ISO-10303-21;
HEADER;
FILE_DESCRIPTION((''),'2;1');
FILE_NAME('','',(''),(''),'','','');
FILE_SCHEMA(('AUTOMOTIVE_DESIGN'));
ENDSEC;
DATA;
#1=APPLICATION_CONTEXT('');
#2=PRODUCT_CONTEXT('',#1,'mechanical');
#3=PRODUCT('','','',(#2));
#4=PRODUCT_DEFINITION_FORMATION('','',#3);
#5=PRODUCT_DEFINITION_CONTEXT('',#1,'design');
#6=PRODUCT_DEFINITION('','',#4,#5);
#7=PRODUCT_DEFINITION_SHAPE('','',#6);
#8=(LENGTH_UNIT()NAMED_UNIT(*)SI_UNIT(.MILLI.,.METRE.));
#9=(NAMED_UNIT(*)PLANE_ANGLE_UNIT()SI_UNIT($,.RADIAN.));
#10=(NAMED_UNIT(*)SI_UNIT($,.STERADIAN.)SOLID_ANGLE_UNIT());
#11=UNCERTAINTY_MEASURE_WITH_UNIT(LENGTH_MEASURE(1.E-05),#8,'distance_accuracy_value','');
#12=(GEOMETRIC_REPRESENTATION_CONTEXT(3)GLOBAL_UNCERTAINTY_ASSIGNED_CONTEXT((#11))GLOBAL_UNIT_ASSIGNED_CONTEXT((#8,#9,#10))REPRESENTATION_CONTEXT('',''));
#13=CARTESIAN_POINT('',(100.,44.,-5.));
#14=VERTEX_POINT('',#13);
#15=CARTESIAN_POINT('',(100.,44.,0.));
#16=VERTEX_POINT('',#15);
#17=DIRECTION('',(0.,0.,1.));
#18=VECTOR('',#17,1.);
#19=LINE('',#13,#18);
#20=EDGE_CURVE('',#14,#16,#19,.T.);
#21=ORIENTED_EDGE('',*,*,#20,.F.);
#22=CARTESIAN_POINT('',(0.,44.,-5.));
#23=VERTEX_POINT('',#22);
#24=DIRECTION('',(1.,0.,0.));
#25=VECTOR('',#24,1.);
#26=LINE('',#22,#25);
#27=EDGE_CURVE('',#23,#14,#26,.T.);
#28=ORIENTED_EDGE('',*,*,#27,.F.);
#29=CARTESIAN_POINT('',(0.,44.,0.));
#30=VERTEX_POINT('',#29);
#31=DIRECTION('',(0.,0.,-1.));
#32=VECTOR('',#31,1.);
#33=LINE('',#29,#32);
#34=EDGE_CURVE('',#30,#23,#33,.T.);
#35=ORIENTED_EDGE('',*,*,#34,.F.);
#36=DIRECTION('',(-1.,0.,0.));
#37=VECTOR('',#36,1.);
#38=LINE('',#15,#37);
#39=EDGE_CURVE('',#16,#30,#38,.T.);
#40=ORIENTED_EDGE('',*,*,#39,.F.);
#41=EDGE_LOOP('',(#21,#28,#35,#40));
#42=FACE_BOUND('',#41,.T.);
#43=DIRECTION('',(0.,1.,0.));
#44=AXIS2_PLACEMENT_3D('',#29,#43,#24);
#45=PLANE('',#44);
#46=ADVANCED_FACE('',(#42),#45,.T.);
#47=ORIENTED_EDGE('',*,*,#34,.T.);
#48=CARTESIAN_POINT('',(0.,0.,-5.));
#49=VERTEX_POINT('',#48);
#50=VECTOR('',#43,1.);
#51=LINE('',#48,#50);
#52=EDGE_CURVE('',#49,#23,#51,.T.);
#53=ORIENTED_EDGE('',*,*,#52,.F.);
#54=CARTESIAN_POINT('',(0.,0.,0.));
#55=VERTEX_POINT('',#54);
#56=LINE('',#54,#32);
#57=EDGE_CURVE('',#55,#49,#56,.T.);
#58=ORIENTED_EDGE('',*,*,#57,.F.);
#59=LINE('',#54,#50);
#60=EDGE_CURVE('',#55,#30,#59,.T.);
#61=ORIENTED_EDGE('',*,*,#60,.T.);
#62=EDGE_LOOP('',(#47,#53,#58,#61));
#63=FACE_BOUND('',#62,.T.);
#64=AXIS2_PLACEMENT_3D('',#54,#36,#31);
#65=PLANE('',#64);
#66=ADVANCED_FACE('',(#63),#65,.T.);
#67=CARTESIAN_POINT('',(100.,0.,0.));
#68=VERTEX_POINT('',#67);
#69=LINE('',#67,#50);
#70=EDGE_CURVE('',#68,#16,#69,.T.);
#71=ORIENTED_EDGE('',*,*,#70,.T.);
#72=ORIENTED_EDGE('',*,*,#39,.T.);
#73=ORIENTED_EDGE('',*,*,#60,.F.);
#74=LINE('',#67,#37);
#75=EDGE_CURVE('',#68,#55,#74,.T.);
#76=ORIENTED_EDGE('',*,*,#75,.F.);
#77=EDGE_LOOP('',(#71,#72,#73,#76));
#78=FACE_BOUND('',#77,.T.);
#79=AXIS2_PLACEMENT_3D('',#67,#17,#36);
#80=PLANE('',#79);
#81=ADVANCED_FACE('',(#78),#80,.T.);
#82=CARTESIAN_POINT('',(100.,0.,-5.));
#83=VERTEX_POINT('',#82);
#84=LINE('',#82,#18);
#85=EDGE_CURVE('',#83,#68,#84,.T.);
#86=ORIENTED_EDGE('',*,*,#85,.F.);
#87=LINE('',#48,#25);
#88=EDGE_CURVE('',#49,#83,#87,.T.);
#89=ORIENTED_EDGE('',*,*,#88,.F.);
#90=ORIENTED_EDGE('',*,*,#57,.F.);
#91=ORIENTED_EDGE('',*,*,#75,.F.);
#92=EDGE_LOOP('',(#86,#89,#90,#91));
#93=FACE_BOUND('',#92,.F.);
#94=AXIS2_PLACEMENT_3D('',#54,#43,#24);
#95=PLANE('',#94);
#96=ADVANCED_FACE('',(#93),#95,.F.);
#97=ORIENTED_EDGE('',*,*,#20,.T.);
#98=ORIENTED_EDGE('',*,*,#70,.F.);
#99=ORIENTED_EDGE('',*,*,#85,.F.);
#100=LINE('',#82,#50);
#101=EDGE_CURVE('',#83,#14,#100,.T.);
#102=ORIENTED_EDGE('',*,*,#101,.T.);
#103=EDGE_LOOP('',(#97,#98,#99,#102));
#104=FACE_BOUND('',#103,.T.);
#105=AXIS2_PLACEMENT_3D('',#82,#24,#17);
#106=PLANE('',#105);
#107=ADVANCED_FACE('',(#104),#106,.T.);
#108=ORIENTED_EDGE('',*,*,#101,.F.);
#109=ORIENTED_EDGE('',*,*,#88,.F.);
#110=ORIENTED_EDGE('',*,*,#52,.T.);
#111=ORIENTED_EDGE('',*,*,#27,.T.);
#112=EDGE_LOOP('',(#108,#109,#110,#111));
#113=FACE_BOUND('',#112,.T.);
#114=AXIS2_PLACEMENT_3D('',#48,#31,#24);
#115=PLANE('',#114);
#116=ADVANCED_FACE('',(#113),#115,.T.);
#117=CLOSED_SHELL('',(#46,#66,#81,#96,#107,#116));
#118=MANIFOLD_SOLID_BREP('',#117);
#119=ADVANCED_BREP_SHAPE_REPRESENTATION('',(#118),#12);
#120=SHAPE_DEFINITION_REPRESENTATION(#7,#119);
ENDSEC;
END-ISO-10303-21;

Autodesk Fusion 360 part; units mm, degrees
sketch "Sketch1" plane through (0, 0, 0) normal (0, 1, 0) x (1, 0, 0)
  line L0 (0, 0) -> (35, -80)
  line L1 (35, -80) -> (65, -80)
  line L2 (65, -80) -> (100, 0)
  line L3 (100, 0) -> (0, 0)
  circle A0 centre (50, -50) radius 7.5
  circle A1 centre (50, -50) radius 3
  line L4 (100, 0) -> (0, 0)
  line L5 (0, 0) -> (0, 5)
  line L6 (0, 5) -> (100, 5)
  line L7 (100, 5) -> (100, 0)
  dimension "d1" = 100
  dimension "d2" = 30
  dimension "d4" = 80
  dimension "d5" = 35
  dimension "d6" = 50
  dimension "d7" = 15
  dimension "d8" = 15
  dimension "d13" = 6
  dimension "d15" = 5
extrude "Extrude3" add sketch "Sketch1" along normal blind 44 contours L3 L4 L5 L6 L7
